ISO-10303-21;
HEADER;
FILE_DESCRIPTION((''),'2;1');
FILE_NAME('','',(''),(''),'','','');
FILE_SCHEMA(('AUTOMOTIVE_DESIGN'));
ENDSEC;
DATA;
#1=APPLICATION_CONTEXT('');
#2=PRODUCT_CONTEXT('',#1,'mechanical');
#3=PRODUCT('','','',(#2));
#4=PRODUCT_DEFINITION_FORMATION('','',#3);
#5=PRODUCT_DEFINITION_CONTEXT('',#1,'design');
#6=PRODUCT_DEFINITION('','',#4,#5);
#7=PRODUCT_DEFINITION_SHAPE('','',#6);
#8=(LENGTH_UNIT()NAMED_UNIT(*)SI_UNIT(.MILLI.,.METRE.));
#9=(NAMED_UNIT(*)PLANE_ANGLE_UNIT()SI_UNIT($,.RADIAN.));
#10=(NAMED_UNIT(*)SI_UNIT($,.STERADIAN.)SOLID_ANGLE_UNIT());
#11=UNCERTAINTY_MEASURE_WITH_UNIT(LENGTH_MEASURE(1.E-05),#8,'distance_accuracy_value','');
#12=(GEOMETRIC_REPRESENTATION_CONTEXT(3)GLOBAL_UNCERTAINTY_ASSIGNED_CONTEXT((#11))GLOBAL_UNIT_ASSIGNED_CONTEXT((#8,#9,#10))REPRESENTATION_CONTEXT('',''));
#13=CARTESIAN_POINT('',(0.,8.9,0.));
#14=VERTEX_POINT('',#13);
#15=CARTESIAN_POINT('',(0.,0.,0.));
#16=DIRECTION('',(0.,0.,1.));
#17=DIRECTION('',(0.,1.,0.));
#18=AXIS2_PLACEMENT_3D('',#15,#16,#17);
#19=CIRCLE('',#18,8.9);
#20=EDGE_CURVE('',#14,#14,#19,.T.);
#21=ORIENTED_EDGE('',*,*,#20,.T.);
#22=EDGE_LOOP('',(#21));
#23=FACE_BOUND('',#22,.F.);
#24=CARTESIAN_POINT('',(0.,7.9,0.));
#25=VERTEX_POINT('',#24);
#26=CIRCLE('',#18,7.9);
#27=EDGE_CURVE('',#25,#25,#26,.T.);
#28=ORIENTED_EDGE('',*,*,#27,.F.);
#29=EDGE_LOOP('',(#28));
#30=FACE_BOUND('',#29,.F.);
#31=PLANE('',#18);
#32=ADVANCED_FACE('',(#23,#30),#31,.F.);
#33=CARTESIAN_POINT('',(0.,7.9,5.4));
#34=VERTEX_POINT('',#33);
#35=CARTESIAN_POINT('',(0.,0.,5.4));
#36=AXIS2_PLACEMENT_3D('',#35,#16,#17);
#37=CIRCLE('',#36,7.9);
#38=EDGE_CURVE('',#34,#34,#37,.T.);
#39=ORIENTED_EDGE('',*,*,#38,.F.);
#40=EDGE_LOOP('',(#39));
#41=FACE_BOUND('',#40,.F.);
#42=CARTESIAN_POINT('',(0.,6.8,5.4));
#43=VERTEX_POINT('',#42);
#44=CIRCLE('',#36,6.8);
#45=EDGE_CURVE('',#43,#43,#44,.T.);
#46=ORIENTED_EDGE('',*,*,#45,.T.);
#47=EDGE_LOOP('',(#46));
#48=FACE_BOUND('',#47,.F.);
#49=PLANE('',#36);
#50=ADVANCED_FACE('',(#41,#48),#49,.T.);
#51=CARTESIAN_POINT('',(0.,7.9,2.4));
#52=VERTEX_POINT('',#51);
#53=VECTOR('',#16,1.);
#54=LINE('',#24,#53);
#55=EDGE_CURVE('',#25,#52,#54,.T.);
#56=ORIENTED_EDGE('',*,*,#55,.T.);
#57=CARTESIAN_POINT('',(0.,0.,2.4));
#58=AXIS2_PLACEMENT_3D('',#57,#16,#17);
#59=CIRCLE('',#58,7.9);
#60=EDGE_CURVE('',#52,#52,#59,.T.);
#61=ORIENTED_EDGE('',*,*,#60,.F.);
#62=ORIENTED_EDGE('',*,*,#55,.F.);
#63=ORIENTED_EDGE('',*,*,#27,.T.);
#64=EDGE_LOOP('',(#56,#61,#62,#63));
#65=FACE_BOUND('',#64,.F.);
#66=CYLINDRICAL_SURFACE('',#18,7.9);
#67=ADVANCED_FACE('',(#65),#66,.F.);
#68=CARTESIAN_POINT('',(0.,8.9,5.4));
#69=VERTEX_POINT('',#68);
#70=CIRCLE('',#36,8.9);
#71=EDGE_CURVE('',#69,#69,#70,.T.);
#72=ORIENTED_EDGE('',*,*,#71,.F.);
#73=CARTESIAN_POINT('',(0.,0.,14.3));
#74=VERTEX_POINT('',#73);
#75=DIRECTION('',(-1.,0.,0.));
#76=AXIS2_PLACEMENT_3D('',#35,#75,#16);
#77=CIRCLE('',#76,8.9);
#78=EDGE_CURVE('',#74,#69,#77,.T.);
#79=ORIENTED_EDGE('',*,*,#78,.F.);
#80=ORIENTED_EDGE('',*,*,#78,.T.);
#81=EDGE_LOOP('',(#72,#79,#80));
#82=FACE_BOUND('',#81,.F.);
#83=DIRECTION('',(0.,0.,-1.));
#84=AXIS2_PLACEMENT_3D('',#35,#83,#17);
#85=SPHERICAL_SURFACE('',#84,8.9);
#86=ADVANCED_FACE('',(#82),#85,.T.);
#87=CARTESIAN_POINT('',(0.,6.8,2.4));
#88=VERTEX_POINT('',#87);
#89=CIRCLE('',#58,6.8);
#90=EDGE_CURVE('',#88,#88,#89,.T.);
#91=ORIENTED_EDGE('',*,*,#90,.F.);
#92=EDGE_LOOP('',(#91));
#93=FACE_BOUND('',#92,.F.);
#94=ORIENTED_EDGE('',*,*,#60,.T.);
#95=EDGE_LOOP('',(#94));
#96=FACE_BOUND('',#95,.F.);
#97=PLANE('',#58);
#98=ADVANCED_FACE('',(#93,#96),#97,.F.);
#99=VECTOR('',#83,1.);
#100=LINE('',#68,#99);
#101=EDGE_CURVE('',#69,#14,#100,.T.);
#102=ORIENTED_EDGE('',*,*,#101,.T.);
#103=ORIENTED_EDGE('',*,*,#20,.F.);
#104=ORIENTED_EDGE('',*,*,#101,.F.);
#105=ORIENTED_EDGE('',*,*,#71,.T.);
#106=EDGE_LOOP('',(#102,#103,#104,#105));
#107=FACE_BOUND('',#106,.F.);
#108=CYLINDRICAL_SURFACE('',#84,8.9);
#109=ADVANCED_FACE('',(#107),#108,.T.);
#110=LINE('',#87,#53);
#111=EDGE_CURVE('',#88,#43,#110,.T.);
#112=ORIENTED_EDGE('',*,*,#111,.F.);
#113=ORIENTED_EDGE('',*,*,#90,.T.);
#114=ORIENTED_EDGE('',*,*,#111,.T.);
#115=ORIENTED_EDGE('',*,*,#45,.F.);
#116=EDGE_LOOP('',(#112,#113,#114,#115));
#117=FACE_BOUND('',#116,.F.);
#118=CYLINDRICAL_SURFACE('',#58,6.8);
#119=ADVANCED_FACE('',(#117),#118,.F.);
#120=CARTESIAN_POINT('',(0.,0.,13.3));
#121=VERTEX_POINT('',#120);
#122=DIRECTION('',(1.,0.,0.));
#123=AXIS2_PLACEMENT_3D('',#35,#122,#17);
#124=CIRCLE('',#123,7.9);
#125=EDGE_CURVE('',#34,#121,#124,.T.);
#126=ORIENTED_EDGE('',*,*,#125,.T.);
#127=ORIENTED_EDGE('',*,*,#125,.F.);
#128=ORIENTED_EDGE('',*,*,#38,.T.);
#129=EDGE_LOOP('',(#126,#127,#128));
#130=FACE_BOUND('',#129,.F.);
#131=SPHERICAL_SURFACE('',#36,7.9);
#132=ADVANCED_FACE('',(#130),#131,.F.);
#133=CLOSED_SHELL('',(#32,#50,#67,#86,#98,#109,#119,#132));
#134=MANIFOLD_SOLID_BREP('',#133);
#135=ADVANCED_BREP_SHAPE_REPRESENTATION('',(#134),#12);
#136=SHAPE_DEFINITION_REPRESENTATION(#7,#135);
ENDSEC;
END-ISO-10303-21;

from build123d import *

# Parameters (mm, degrees)
F3_ANGLE = 90


with BuildPart() as f1:
    # F0 (on Top) → F1 (revolve)
    with BuildSketch(Plane.XY):
        with BuildLine():
            Line((0, 8.9), (0, 7.9))
            Line((0, 7.9), (2.4, 7.9))
            Line((2.4, 7.9), (2.4, 6.8))
            Line((2.4, 6.8), (5.4, 6.8))
            Line((5.4, 6.8), (5.4, 7.9))
            ThreePointArc((5.4, 7.9), (10.9861435714, 5.5861435714), (13.3, 0))
            Line((13.3, 0), (14.3, 0))
            ThreePointArc((14.3, 0), (11.6932503526, 6.2932503526), (5.4, 8.9))
            Line((5.4, 8.9), (0, 8.9))
        make_face()
    revolve(axis=Axis((12.5827532146, 0, 0), (1, 0, 0)))


with BuildPart() as f1_1:
    # F3: moved
    add(f1.part.rotate(Axis((0, 0, 0), (0, -1, 0)), F3_ANGLE))


solid = f1_1.part
